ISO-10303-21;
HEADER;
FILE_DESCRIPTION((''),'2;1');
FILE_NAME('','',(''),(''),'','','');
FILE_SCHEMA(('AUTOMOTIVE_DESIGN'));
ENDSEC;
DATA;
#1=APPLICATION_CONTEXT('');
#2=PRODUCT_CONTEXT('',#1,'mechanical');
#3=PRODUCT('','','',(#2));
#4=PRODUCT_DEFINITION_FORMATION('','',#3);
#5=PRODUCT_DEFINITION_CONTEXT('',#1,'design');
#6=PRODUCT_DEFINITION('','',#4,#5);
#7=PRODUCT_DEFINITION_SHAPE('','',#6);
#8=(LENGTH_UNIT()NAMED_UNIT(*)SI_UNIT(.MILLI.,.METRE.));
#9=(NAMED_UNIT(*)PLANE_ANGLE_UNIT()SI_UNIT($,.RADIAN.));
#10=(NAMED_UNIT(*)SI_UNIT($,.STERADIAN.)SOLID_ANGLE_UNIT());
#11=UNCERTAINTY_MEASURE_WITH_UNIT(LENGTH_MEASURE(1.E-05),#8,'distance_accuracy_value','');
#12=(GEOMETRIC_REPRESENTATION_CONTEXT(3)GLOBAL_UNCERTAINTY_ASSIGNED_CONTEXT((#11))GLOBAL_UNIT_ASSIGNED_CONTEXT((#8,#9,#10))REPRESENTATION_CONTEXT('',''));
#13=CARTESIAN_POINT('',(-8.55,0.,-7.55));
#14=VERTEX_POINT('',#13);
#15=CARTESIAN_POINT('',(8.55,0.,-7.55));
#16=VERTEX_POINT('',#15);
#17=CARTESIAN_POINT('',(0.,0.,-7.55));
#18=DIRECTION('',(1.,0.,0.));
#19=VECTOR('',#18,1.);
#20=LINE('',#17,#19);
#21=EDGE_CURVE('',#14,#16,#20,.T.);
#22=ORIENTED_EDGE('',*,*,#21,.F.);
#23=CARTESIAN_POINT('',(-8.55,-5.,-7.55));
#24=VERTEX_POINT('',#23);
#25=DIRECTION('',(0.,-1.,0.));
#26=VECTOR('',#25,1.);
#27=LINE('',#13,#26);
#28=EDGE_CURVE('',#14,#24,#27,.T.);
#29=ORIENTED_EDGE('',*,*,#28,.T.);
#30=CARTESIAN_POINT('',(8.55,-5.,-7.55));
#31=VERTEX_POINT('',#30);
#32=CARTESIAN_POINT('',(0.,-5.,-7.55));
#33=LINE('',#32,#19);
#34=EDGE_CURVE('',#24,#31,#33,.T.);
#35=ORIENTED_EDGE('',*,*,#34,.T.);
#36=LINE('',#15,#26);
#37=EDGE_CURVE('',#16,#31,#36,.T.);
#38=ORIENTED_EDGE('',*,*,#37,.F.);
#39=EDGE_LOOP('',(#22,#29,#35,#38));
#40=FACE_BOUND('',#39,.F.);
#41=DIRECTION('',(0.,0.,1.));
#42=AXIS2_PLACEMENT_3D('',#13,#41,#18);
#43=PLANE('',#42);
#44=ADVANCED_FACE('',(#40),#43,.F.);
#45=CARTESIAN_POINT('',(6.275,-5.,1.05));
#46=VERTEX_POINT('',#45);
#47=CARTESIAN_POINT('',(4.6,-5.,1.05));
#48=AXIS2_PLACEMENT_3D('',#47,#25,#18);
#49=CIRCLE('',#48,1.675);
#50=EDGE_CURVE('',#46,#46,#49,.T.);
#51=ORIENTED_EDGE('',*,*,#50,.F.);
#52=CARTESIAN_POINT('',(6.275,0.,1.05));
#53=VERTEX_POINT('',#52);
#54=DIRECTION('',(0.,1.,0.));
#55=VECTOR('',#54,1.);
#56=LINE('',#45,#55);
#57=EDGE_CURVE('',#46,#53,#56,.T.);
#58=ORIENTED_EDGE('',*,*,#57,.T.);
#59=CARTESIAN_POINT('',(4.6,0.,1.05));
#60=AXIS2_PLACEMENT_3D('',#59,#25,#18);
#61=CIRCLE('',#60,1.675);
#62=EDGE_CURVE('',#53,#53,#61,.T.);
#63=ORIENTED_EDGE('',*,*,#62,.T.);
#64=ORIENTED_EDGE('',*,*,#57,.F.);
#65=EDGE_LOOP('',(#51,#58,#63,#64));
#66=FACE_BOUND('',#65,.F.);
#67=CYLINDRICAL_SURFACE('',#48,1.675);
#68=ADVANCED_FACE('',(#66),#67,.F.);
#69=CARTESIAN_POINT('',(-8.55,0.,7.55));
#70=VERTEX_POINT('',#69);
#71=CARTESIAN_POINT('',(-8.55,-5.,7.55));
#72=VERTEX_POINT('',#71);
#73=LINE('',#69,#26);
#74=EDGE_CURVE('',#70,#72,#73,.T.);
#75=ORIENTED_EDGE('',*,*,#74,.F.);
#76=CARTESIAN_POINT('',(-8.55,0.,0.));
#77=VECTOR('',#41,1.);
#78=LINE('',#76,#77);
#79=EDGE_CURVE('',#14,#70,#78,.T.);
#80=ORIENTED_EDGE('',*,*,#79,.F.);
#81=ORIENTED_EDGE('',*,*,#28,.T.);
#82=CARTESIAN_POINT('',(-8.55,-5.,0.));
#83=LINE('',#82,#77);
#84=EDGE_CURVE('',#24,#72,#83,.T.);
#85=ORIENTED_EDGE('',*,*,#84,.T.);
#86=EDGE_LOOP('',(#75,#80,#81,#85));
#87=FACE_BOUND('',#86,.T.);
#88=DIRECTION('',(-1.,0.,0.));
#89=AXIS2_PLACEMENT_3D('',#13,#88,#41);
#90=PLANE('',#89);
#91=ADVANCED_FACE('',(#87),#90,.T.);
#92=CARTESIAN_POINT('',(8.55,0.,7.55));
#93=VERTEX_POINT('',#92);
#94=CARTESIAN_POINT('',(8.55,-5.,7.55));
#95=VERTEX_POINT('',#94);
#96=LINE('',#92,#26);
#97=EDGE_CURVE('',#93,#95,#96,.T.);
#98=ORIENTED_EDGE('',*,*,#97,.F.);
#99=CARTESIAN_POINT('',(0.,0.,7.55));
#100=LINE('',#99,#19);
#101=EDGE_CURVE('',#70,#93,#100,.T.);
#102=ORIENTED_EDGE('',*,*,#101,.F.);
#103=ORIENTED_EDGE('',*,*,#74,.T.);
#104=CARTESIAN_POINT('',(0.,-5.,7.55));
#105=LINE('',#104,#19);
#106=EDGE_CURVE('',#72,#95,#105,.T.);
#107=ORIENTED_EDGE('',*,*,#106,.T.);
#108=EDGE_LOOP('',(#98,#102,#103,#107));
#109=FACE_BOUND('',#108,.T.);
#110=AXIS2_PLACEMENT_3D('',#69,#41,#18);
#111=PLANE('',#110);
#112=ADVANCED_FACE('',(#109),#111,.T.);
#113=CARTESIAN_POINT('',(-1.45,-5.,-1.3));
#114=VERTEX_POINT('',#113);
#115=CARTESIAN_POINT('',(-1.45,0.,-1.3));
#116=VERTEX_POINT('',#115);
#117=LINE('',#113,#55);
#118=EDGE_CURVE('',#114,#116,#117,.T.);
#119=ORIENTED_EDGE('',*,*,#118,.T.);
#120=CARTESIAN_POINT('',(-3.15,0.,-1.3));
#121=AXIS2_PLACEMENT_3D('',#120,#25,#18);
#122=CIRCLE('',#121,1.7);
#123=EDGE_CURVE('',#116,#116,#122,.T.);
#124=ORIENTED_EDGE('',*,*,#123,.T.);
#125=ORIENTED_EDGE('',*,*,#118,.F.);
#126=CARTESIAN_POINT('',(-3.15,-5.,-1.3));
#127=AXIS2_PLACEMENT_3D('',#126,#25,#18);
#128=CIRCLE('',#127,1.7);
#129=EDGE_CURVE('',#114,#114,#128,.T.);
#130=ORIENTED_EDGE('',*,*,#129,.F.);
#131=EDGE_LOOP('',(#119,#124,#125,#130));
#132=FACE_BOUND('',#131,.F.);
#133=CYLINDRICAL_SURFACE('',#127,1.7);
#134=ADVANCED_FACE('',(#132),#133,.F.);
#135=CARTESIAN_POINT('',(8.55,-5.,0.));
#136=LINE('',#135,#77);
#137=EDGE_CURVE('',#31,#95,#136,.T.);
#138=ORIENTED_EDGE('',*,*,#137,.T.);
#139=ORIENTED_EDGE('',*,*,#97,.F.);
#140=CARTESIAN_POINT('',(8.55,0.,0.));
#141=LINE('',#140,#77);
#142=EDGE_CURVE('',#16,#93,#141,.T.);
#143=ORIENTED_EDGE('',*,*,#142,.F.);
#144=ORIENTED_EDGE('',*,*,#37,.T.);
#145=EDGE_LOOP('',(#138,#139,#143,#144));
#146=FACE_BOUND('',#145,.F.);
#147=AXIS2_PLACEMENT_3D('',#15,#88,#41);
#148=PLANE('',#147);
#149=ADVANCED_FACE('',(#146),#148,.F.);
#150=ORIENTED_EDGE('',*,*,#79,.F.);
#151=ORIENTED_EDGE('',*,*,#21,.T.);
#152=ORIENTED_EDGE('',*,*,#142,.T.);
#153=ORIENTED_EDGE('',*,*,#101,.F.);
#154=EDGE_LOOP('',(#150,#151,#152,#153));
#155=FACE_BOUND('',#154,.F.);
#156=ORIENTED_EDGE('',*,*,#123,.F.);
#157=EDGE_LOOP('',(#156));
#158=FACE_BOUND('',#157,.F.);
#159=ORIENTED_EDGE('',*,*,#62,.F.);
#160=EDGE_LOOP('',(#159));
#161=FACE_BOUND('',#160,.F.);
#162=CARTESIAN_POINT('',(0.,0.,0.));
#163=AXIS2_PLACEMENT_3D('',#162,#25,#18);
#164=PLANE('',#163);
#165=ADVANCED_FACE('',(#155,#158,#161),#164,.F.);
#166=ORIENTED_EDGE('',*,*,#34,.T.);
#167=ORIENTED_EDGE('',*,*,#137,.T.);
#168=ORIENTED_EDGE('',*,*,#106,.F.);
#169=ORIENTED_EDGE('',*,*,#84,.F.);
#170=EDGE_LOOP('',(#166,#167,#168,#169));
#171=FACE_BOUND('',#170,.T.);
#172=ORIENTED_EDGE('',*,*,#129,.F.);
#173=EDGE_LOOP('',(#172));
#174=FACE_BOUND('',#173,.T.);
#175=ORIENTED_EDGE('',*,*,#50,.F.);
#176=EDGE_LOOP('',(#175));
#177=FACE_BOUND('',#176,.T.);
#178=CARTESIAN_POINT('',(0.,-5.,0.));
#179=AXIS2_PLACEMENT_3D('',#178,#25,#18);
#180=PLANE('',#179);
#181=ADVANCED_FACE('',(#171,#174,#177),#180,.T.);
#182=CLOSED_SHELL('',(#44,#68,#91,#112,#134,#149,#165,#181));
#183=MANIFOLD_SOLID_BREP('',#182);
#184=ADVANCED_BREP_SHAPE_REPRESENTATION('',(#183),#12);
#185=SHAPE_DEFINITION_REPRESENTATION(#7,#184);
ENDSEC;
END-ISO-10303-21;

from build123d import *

# Parameters (mm, degrees)
F0_W     = 17.1
F0_H     = 15.1
F1_DEPTH = 5
F2_R     = 1.675
F2_R_2   = 1.7
F3_DEPTH = 25


with BuildPart() as f1:
    # F0 (on Front) → F1 (new body)
    with BuildSketch(Plane.XZ):
        Rectangle(F0_W, F0_H)
    extrude(amount=F1_DEPTH)

    # F2 (on face) → F3 (cut)
    with BuildSketch(Plane.XZ.offset(5)):
        with Locations((4.6, 1.05)):
            Circle(F2_R)
        with Locations((-3.15, -1.3)):
            Circle(F2_R_2)
    extrude(amount=-F3_DEPTH, mode=Mode.SUBTRACT)


solid = f1.part
